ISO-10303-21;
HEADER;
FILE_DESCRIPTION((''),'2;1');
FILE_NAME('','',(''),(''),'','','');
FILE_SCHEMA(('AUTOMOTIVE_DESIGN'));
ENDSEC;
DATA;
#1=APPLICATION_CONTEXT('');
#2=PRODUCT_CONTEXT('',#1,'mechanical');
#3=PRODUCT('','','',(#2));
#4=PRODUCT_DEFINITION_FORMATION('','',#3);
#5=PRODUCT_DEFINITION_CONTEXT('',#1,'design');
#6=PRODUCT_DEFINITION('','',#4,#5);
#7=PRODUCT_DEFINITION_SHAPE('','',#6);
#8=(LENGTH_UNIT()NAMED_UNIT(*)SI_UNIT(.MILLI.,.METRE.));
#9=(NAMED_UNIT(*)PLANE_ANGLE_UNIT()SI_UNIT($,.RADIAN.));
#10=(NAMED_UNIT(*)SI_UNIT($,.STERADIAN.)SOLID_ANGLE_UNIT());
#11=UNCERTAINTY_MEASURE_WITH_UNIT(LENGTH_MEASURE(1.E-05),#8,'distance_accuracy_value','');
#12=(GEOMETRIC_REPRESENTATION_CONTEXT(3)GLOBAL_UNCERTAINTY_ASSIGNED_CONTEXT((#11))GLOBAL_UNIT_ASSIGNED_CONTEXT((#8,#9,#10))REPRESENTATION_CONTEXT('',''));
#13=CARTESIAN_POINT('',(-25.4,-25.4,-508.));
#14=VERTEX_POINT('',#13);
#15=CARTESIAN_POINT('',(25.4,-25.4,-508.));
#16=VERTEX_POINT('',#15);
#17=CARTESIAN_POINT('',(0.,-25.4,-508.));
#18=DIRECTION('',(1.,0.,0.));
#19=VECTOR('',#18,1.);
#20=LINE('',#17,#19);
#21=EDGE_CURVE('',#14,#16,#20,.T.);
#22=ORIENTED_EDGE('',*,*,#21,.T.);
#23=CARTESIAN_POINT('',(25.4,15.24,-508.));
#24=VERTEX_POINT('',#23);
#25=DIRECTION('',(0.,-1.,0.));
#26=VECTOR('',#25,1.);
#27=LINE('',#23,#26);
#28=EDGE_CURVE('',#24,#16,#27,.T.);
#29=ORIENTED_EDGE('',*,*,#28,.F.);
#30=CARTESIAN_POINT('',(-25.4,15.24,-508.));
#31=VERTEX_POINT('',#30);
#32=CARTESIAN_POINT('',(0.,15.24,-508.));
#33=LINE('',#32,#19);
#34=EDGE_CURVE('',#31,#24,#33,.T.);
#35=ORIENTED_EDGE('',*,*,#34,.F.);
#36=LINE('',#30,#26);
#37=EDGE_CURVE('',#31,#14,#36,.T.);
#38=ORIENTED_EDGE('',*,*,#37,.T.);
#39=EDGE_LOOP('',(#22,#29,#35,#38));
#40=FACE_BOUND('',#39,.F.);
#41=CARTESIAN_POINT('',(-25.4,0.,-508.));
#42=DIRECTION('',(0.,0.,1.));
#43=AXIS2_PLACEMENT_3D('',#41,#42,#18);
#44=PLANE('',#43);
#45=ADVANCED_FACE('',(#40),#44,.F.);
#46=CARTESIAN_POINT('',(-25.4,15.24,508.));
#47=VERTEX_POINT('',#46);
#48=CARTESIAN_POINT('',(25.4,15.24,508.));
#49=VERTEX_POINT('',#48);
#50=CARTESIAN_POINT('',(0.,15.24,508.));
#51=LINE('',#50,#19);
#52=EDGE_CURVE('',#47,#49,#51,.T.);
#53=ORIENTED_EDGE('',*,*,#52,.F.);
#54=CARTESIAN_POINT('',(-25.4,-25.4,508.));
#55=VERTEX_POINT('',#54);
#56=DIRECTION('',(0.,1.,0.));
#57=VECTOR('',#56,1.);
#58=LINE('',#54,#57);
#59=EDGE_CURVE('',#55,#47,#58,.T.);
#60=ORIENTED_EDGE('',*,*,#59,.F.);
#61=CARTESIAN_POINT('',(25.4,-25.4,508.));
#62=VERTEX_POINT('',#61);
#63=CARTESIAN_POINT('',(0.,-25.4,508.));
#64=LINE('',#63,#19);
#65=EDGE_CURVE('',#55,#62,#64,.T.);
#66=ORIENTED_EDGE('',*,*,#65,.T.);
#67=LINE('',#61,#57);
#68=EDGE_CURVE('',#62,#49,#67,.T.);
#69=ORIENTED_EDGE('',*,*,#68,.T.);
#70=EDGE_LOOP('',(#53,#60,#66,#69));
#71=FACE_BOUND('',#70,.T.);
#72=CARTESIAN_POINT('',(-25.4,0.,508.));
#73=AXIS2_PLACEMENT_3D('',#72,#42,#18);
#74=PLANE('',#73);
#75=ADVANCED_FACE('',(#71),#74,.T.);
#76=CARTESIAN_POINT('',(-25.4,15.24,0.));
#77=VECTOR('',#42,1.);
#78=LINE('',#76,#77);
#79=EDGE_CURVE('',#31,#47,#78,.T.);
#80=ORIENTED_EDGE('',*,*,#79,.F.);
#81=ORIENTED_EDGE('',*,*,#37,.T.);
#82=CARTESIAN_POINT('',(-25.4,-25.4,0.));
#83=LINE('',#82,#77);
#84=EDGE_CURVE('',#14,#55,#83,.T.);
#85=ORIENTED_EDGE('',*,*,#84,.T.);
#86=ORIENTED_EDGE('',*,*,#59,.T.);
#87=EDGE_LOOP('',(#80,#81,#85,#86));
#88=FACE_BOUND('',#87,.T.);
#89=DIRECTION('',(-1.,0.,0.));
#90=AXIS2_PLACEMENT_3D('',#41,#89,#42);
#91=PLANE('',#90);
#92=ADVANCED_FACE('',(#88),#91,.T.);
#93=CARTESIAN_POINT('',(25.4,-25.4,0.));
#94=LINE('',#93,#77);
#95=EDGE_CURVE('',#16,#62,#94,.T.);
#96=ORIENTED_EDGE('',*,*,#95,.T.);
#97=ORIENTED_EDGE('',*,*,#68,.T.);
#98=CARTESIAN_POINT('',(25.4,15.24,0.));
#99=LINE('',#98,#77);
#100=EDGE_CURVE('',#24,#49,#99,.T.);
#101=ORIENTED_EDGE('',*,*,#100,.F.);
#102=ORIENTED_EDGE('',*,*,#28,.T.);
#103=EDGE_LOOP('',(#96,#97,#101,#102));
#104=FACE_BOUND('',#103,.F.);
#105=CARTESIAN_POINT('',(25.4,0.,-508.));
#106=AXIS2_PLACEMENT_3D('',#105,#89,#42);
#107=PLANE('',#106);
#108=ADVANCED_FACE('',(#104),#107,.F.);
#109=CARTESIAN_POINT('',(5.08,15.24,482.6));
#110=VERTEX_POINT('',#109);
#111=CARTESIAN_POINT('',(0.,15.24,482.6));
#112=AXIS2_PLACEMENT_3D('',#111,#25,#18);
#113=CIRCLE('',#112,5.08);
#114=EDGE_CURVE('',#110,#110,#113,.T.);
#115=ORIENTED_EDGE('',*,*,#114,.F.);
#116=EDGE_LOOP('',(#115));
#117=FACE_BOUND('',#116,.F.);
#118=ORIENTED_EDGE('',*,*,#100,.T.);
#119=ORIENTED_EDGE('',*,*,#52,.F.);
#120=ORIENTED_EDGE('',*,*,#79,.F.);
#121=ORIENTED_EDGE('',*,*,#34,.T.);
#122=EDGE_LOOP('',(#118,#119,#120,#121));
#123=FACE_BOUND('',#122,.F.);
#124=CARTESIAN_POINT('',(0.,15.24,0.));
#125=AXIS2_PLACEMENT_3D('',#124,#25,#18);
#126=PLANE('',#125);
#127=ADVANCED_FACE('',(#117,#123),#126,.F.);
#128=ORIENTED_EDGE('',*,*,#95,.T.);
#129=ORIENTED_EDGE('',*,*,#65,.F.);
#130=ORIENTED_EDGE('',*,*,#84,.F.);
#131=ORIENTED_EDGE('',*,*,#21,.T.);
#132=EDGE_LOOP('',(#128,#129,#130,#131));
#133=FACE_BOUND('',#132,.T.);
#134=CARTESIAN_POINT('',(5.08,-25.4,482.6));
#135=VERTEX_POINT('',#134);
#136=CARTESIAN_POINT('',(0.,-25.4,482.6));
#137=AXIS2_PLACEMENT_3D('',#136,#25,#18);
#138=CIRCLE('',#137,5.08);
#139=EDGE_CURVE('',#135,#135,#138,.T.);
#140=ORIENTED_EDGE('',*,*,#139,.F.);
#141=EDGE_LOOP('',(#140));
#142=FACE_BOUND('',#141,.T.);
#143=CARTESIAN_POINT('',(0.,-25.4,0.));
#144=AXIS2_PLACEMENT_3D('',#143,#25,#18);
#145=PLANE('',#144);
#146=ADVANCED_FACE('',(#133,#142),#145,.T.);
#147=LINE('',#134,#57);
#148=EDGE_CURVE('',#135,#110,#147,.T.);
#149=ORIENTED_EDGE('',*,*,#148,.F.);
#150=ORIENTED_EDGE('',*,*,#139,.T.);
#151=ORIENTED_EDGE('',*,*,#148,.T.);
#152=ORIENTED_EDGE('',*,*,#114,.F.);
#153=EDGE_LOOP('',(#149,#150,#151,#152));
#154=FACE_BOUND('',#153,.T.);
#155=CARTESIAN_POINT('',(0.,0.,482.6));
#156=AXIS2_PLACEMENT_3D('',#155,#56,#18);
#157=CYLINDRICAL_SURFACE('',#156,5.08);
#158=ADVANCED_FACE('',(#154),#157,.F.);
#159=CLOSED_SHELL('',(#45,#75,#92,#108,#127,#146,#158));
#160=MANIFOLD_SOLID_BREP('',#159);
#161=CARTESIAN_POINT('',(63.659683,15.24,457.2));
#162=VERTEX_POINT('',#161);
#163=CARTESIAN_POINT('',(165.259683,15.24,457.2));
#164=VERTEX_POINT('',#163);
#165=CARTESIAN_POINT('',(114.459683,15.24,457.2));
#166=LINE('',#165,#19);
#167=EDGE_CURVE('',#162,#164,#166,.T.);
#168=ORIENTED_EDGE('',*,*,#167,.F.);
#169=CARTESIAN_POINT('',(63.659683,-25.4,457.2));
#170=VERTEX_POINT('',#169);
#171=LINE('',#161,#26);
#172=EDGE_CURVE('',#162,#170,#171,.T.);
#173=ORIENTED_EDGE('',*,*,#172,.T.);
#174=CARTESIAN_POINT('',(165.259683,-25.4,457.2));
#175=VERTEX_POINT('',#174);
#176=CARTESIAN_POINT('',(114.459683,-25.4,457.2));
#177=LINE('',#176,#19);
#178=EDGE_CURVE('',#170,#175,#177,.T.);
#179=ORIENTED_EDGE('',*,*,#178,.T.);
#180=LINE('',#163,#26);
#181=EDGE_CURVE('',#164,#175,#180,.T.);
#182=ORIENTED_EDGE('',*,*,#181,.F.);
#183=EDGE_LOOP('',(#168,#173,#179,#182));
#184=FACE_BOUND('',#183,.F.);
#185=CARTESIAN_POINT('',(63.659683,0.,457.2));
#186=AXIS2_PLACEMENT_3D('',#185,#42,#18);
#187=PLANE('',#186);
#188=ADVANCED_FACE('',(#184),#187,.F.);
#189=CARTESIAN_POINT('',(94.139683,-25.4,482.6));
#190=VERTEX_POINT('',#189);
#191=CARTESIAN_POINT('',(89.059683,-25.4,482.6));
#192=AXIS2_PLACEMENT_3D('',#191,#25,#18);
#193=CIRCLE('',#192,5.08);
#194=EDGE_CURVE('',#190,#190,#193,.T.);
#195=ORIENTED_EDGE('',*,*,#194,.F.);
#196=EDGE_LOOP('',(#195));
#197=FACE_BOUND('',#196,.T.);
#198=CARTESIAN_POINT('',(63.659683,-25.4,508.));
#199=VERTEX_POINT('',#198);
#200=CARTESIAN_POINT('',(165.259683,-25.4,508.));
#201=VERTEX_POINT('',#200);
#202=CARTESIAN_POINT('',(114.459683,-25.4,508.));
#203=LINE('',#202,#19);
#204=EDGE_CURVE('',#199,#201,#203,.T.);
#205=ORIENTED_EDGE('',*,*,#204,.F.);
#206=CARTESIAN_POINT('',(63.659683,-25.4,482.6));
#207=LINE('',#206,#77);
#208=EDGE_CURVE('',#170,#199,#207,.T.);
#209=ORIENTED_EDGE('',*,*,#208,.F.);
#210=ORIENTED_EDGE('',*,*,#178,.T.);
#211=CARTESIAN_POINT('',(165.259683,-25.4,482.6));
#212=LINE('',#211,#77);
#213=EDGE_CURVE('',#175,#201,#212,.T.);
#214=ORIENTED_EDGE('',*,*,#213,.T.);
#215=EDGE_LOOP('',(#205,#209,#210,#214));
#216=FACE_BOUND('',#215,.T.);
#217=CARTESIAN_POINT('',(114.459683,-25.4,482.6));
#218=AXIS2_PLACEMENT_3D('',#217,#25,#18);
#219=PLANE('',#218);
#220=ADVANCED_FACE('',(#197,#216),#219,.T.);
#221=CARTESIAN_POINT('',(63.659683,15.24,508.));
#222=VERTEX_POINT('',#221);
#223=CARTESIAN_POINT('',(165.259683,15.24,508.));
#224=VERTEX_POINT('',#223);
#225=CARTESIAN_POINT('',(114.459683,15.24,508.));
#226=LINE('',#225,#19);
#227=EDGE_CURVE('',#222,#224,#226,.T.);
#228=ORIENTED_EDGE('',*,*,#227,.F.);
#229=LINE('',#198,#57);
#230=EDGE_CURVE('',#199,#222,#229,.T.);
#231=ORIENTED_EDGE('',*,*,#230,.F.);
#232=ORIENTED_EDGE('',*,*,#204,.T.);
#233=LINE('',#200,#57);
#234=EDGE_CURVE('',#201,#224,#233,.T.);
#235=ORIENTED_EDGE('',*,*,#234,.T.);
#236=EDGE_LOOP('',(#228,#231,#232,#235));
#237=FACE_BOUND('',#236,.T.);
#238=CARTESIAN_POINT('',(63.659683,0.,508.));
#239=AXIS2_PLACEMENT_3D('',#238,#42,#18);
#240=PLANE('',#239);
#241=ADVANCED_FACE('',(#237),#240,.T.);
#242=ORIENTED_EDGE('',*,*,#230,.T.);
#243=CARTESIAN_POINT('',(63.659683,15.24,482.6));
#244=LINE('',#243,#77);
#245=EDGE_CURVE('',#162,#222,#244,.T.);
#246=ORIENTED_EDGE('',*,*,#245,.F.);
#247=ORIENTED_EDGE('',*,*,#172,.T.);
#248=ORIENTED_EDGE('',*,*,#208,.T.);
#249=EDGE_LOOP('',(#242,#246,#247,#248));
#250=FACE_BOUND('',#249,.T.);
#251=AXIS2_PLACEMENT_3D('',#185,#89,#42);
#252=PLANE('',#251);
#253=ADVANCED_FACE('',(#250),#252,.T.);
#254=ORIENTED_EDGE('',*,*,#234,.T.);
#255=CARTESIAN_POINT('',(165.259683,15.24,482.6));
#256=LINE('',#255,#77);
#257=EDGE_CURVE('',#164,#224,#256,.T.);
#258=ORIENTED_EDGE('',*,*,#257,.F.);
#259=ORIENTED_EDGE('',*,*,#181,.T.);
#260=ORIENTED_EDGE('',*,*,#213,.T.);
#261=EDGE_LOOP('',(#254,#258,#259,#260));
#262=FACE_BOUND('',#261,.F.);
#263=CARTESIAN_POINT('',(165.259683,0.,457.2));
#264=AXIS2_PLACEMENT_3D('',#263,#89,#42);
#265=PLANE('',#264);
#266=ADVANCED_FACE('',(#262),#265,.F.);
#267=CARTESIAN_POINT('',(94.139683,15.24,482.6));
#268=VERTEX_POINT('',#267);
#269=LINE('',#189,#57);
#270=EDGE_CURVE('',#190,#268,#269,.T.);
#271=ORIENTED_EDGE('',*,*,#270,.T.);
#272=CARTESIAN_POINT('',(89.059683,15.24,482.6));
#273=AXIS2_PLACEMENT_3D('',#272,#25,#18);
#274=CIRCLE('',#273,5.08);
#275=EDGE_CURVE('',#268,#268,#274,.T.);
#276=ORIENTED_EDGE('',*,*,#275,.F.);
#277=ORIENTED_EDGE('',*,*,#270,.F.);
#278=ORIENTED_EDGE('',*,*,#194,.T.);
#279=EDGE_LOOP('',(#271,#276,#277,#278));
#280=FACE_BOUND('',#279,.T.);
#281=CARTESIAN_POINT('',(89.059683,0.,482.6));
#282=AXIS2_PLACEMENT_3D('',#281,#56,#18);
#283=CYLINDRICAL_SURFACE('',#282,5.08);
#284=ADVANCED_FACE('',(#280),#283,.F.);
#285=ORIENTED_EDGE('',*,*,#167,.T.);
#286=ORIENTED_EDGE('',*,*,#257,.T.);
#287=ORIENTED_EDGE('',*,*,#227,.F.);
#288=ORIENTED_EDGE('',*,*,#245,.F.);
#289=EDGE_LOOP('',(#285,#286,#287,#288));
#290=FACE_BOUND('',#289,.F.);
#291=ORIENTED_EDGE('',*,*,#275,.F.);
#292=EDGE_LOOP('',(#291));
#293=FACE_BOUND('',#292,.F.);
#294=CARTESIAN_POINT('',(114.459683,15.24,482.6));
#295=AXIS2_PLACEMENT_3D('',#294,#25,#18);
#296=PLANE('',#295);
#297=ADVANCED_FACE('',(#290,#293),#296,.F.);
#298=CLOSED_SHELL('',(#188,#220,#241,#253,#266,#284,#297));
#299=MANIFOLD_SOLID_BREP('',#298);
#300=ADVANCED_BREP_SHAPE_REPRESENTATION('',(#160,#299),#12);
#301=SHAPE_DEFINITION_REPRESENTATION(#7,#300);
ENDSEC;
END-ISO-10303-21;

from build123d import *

# Parameters (mm, degrees)
F0_W          = 101.6
F0_H          = 50.8
F0_R          = 5.08
F1_DEPTH      = 15.24
F1_DEPTH_BACK = 25.4
F0_W_2        = 50.8
F0_H_2        = 1016


with BuildPart() as f1:
    # F0 (on Front) → F1 (new body, two sides)
    with BuildSketch(Plane.XZ) as f1_sk:
        with Locations((114.4596828699, 482.6)):
            Rectangle(F0_W, F0_H)
        with Locations((89.0596828699, 482.6)):
            Circle(F0_R, mode=Mode.SUBTRACT)
    extrude(amount=-F1_DEPTH)
    extrude(f1_sk.sketch, amount=F1_DEPTH_BACK)


with BuildPart() as f1b:
    # F0 (on Front) → F1, piece 2 (new body, two sides)
    with BuildSketch(Plane.XZ) as f1_2_sk:
        Rectangle(F0_W_2, F0_H_2)
        with Locations((0, 482.6)):
            Circle(F0_R, mode=Mode.SUBTRACT)
    extrude(amount=-F1_DEPTH)
    extrude(f1_2_sk.sketch, amount=F1_DEPTH_BACK)


solid = Compound([f1.part, f1b.part])
